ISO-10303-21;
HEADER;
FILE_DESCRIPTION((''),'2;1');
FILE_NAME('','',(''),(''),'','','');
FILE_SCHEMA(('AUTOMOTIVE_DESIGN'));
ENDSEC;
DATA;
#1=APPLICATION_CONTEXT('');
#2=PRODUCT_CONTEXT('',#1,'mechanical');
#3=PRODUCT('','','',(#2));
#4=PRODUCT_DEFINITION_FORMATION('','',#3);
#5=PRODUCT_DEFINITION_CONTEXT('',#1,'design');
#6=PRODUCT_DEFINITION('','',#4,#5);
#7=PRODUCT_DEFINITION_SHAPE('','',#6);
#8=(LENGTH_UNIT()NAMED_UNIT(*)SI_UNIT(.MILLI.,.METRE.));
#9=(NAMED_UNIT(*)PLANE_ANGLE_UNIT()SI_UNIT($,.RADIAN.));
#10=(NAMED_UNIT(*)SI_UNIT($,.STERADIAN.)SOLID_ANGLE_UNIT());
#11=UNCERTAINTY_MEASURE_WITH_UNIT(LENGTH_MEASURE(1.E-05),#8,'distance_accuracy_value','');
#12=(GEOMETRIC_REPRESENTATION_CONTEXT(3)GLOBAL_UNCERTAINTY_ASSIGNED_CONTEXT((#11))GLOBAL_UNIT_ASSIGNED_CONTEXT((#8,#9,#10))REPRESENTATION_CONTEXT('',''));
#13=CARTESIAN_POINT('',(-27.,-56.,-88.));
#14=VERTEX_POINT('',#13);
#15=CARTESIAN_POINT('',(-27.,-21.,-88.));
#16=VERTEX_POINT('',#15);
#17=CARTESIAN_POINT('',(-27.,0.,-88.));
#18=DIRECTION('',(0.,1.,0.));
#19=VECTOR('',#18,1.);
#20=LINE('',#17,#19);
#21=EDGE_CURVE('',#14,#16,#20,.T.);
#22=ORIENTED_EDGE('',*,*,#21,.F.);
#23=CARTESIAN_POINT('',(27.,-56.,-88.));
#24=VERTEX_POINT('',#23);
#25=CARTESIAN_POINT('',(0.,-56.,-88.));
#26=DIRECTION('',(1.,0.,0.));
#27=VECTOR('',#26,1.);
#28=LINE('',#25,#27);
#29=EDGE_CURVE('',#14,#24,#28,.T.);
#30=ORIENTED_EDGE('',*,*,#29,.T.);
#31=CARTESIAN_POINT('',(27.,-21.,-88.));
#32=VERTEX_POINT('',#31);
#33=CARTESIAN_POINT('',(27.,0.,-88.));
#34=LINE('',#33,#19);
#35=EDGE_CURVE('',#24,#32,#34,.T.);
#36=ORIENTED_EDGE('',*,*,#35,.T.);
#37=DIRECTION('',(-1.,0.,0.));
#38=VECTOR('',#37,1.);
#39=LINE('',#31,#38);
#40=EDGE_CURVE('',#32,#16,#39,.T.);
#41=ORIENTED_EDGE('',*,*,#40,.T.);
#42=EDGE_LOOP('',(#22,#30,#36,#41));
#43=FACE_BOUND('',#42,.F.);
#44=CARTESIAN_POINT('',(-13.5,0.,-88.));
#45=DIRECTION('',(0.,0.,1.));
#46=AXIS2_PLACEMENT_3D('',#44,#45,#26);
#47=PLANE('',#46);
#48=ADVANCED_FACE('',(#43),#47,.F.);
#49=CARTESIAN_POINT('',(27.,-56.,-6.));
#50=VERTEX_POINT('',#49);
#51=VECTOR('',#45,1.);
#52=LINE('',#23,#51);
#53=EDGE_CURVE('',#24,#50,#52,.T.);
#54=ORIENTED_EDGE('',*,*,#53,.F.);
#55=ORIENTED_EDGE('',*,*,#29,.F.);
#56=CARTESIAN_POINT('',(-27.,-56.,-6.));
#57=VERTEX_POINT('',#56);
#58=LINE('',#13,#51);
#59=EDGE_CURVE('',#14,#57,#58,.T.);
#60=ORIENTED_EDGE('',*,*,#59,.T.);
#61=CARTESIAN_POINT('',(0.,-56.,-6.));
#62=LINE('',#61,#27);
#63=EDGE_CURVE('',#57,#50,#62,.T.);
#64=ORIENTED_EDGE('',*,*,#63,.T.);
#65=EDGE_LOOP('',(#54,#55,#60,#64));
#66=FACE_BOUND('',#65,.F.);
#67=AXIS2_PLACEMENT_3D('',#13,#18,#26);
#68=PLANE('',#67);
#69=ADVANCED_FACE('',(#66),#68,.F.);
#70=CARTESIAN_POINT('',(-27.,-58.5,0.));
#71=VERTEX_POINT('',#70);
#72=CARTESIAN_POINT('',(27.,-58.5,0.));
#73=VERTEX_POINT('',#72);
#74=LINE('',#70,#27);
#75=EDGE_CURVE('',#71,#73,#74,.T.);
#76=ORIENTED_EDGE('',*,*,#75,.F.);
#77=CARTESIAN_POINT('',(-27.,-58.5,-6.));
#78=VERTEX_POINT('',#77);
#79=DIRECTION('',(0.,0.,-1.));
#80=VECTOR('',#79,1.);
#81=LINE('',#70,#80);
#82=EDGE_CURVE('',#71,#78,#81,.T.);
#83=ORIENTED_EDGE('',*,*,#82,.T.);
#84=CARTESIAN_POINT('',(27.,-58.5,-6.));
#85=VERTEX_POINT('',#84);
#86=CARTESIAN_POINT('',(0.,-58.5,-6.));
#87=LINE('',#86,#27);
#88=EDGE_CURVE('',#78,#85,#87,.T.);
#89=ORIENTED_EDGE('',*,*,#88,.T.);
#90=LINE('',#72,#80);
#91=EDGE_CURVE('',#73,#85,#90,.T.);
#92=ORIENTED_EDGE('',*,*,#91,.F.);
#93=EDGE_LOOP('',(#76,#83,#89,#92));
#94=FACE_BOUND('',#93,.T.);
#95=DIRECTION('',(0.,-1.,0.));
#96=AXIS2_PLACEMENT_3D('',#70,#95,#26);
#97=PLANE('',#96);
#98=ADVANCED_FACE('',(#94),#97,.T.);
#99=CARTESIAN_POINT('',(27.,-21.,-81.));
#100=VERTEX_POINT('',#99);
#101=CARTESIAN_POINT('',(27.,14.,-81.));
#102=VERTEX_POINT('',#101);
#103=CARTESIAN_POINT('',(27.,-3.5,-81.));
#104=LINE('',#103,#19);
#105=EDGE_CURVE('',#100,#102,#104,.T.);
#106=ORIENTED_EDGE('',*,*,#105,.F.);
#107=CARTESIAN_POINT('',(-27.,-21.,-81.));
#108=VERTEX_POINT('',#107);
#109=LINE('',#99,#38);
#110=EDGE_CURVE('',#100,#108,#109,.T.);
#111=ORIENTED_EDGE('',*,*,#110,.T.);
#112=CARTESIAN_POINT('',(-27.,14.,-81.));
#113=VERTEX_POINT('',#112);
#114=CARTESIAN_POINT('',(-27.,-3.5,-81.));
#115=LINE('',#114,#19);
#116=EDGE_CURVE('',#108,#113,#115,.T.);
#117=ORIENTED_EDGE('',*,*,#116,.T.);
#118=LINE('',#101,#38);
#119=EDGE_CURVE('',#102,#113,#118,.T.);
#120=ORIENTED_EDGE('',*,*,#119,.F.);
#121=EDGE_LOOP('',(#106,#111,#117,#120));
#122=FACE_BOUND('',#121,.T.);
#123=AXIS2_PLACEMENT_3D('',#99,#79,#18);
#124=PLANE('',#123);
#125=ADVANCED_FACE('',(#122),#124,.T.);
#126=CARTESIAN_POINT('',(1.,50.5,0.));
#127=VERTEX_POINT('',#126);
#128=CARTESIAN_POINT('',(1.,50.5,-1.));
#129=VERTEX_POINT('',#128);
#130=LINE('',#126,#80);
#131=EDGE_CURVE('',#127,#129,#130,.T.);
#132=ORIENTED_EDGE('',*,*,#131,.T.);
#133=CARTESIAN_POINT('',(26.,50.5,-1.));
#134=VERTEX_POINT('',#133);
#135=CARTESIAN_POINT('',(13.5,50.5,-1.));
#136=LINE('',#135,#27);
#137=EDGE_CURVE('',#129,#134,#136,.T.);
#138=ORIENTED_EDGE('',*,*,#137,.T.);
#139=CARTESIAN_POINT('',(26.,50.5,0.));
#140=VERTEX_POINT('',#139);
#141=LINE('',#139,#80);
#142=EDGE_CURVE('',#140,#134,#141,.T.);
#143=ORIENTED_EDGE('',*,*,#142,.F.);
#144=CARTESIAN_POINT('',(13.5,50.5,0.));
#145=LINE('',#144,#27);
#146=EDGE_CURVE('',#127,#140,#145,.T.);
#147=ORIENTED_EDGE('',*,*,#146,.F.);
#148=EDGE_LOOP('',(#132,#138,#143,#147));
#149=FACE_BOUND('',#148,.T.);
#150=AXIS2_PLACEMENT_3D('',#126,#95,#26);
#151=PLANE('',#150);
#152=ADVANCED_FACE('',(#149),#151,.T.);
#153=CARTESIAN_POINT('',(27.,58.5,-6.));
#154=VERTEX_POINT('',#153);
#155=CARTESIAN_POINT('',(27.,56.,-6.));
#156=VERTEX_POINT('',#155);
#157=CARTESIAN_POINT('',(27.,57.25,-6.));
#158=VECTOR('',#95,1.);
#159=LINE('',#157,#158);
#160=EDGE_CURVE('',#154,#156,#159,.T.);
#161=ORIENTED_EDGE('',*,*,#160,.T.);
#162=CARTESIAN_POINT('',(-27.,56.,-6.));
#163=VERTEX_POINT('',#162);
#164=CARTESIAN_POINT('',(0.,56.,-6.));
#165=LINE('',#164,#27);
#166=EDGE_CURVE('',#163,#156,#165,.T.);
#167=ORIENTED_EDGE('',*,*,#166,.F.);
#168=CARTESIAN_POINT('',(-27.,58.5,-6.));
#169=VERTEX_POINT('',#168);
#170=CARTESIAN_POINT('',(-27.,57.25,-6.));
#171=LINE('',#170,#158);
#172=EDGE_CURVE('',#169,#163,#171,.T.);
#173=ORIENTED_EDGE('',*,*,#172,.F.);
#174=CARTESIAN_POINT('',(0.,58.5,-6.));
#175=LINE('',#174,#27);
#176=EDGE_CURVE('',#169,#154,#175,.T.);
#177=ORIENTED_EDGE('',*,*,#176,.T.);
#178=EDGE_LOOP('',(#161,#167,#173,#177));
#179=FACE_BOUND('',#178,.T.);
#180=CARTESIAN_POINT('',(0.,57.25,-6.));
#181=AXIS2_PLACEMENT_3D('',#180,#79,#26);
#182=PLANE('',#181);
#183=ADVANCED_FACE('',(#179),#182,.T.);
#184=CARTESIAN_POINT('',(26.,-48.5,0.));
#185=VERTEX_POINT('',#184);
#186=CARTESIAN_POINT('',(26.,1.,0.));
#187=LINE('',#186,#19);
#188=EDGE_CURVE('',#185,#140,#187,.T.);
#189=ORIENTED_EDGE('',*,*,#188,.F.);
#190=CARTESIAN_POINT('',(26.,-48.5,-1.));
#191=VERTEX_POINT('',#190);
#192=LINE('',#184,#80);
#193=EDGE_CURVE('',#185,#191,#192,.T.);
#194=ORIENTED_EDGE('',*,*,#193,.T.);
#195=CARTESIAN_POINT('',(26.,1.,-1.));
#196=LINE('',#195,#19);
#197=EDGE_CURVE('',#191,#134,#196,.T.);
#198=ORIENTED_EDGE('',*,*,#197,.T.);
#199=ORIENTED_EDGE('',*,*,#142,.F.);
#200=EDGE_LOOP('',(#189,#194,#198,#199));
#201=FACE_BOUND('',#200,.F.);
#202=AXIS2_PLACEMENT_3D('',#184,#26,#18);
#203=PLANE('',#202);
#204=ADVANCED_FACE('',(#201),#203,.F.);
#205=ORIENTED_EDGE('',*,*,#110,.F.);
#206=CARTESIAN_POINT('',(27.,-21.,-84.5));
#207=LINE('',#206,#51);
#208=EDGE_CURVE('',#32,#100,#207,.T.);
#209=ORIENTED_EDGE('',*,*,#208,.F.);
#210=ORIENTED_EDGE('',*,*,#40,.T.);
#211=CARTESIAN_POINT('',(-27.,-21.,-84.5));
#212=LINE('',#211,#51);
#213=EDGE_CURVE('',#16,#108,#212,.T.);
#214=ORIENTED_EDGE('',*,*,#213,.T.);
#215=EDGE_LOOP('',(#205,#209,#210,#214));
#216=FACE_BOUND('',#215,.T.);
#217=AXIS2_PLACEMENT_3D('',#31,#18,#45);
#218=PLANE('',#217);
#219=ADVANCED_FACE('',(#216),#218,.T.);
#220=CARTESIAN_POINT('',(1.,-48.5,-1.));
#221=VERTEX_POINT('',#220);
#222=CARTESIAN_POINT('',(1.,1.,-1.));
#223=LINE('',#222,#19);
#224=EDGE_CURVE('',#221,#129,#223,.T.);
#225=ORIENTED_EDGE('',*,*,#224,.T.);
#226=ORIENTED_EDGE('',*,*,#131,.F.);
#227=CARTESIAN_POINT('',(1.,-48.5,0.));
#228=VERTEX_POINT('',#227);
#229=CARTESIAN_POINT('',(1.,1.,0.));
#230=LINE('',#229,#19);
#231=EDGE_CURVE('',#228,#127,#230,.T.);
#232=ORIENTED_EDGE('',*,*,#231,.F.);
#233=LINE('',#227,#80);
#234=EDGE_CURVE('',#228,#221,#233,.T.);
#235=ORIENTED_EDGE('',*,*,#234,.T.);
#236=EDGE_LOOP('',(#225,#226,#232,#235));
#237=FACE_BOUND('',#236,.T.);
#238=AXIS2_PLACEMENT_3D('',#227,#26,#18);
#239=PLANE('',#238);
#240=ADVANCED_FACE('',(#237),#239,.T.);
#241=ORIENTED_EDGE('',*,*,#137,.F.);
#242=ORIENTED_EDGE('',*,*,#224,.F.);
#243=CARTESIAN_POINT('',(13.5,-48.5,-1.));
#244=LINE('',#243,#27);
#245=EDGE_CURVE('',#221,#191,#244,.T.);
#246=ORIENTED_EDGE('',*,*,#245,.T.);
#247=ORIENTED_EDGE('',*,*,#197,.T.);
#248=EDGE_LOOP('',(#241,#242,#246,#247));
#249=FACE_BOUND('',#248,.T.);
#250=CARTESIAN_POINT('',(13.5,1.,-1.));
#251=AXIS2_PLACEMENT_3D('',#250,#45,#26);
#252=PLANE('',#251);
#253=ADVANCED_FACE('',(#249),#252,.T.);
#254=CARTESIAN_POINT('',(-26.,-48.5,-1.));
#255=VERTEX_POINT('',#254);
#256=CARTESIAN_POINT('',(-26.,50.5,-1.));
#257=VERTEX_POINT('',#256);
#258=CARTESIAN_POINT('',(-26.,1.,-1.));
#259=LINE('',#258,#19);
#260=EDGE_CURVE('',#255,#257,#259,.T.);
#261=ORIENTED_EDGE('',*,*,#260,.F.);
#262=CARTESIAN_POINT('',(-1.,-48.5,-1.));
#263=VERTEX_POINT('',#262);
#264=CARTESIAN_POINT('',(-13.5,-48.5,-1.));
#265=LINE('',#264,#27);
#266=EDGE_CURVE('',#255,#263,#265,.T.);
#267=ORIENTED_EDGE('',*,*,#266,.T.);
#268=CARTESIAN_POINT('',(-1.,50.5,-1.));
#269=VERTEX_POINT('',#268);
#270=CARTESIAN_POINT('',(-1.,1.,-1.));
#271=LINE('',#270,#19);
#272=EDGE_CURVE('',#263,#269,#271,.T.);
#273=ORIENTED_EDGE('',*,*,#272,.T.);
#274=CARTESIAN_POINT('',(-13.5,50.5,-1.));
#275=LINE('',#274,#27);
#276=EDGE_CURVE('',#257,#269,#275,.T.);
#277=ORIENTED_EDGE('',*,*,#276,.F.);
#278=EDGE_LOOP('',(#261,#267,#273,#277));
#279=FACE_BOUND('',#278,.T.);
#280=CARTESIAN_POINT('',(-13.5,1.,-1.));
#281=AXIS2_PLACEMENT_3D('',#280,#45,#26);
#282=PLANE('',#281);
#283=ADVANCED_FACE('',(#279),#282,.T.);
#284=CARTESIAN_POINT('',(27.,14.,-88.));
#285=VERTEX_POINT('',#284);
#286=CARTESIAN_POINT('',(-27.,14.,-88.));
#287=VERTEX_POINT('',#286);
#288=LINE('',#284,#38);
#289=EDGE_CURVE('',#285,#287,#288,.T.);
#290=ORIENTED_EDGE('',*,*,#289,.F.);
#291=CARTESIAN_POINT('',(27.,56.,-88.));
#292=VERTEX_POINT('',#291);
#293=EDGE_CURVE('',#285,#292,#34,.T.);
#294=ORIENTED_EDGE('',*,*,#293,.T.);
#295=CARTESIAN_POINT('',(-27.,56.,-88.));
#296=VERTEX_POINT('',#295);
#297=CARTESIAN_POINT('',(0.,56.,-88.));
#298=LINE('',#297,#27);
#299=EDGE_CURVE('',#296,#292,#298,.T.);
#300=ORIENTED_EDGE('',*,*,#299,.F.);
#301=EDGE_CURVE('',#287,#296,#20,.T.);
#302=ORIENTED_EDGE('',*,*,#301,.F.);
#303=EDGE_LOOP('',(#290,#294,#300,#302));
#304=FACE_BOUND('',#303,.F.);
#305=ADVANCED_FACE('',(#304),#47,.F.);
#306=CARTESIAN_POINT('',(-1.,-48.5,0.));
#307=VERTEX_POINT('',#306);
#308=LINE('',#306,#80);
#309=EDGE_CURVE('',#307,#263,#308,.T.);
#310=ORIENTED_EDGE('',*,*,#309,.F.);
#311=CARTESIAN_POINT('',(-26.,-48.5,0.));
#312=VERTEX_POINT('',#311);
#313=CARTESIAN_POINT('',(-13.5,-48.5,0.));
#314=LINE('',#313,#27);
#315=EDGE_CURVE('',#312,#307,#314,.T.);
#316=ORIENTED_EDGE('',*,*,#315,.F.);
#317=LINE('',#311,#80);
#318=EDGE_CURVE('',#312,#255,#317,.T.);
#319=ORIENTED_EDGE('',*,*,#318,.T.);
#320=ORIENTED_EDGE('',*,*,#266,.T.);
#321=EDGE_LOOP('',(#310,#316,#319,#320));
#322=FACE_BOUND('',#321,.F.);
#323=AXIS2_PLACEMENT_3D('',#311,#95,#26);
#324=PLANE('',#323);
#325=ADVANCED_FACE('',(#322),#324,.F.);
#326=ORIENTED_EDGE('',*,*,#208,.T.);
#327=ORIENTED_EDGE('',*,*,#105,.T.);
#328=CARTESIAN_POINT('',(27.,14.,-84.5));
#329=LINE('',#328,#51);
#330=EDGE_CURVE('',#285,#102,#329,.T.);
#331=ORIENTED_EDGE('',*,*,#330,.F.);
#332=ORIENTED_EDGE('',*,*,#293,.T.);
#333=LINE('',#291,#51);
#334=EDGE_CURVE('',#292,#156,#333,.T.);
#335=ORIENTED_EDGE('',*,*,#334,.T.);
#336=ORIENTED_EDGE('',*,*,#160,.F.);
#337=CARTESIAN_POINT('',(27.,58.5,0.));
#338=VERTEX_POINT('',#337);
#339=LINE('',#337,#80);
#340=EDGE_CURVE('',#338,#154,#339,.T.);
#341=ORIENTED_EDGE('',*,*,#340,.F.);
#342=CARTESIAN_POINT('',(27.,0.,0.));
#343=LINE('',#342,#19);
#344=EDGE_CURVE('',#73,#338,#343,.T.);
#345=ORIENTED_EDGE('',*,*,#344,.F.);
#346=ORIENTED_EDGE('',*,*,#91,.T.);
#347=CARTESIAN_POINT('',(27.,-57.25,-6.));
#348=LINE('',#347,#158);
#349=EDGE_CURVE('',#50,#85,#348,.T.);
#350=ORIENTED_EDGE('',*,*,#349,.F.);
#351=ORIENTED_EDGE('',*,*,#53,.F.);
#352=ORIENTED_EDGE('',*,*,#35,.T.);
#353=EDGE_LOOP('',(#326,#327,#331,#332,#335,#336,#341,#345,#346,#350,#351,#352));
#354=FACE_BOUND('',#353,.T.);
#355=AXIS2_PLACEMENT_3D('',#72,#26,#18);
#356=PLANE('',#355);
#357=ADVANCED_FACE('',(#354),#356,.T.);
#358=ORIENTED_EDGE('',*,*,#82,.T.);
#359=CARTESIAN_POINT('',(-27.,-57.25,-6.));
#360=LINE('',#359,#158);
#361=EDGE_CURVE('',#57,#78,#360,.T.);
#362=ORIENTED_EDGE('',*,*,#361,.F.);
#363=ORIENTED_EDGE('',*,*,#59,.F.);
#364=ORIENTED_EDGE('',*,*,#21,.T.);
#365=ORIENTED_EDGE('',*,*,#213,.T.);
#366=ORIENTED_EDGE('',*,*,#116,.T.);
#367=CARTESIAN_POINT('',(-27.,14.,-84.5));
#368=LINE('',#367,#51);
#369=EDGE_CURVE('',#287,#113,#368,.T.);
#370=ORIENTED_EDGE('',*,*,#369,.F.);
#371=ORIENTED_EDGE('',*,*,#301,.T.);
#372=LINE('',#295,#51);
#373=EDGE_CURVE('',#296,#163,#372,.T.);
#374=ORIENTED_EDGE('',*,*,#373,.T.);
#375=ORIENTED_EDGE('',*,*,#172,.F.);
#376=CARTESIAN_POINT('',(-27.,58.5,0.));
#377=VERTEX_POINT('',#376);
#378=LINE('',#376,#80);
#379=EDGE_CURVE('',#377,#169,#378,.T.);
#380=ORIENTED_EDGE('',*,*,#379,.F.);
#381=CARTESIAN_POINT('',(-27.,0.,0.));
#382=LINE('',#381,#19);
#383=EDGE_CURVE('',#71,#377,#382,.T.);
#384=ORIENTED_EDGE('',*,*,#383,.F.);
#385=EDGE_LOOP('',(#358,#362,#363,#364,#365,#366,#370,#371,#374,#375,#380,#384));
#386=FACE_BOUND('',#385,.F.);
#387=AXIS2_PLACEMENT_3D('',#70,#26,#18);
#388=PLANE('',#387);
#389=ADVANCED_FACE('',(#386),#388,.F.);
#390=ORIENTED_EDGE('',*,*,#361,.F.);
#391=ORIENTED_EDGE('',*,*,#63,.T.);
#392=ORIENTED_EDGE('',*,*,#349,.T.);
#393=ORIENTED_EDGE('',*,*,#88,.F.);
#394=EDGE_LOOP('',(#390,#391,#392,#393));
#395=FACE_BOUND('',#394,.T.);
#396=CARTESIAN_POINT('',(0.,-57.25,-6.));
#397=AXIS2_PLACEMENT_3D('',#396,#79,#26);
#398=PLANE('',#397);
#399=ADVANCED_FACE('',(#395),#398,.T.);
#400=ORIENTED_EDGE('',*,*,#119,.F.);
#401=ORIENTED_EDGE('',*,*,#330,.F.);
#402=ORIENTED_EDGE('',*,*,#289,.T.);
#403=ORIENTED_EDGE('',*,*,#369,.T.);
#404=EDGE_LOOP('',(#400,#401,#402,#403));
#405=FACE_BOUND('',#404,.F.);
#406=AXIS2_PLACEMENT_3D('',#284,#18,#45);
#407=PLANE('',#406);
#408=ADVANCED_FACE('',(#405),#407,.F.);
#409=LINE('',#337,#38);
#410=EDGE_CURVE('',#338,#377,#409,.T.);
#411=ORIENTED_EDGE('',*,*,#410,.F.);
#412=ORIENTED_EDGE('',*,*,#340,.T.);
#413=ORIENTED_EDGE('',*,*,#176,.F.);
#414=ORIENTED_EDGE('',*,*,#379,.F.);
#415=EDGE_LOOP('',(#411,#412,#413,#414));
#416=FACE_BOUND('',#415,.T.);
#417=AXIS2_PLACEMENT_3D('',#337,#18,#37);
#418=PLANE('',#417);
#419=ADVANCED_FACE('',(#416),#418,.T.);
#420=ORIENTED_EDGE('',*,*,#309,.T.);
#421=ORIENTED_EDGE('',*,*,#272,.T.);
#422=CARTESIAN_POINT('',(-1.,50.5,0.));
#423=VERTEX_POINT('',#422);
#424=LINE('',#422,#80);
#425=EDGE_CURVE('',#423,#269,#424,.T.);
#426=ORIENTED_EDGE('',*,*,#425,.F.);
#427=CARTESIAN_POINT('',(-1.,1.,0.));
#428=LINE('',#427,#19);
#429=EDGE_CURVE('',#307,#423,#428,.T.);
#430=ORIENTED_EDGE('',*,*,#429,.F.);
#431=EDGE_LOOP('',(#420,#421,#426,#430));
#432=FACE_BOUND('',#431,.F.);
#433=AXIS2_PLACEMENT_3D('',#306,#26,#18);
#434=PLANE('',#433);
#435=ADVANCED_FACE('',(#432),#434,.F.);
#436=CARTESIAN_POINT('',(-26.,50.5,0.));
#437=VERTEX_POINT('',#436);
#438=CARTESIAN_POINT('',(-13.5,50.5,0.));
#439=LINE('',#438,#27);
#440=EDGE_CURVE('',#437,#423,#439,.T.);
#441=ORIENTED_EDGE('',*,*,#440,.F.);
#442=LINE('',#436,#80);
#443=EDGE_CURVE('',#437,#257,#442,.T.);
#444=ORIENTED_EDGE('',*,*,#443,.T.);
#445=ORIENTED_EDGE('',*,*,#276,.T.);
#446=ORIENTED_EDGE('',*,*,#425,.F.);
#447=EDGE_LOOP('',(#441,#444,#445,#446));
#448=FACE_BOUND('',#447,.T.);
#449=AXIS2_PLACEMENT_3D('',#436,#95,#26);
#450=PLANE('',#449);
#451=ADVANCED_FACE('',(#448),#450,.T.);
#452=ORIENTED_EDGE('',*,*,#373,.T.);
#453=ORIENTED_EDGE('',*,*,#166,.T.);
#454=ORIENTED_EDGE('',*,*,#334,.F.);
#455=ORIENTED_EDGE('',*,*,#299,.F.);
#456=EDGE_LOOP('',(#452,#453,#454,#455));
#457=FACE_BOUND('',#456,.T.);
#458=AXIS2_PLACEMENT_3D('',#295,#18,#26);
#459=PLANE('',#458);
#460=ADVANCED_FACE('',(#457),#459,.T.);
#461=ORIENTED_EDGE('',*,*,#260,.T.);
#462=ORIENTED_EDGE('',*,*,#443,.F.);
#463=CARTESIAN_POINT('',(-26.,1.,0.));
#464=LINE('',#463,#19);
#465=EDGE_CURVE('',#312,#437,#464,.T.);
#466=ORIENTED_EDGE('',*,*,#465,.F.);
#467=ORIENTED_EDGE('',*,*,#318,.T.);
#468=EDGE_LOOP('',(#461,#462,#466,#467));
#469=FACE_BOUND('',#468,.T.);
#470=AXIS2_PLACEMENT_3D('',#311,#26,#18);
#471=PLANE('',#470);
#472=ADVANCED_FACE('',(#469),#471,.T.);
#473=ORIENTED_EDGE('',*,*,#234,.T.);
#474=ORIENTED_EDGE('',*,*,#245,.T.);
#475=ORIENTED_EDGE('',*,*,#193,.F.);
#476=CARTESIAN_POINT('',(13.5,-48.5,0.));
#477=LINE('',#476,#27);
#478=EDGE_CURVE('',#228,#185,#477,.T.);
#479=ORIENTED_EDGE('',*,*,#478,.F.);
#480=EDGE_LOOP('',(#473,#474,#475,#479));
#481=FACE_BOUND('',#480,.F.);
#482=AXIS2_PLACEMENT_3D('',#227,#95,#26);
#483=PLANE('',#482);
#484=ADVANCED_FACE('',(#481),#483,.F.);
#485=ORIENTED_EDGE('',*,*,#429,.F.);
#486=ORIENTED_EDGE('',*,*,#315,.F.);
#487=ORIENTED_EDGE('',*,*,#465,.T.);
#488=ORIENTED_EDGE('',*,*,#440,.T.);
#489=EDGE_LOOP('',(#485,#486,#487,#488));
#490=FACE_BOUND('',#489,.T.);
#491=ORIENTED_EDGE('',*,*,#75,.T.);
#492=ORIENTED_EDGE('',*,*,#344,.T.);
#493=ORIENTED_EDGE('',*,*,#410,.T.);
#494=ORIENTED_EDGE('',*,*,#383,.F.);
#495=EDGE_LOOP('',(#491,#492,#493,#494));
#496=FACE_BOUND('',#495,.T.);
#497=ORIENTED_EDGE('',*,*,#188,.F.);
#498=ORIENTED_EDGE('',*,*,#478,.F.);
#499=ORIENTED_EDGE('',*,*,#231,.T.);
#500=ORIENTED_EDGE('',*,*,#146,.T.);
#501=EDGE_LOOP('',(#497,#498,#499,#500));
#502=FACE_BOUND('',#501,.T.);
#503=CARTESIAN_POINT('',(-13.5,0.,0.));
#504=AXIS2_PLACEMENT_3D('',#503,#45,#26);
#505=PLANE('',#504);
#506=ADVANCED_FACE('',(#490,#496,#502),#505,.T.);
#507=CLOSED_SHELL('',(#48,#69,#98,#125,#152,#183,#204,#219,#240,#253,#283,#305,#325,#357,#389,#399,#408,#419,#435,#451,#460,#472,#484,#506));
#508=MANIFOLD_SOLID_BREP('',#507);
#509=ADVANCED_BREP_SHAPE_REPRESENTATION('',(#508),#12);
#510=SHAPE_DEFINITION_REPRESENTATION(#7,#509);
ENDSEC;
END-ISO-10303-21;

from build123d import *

# Parameters (mm, degrees)
F0_W     = 27
F0_H     = 117
F0_W_2   = 25
F0_H_2   = 99
F1_DEPTH = 88
F2_DEPTH = 1
F3_W     = 54
F3_H     = 2.5
F4_DEPTH = 82
F5_W     = 35
F5_H     = 7
F6_DEPTH = 54


with BuildPart() as f1:
    # F0 (on Top) → F1 (new body)
    with BuildSketch(Plane.XY):
        with Locations((-13.5, 0)):
            Rectangle(F0_W, F0_H)
        with Locations((-13.5, 1)):
            Rectangle(F0_W_2, F0_H_2, mode=Mode.SUBTRACT)
        with Locations((13.5, 0)):
            Rectangle(F0_W, F0_H)
        with Locations((13.5, 1)):
            Rectangle(F0_W_2, F0_H_2, mode=Mode.SUBTRACT)
        with Locations((-13.5, 1)):
            Rectangle(F0_W_2, F0_H_2)
        with Locations((13.5, 1)):
            Rectangle(F0_W_2, F0_H_2)
    extrude(amount=-F1_DEPTH)

    # F0 (on Top) → F2 (cut)
    with BuildSketch(Plane.XY):
        with Locations((-13.5, 1)):
            Rectangle(F0_W_2, F0_H_2)
        with Locations((13.5, 1)):
            Rectangle(F0_W_2, F0_H_2)
    extrude(amount=-F2_DEPTH, mode=Mode.SUBTRACT)

    # F3 (on face) → F4 (cut)
    with BuildSketch(Plane(origin=(0, 0, -88), x_dir=(1, 0, 0), z_dir=(0, 0, -1))):
        with Locations((0, 57.25)):
            Rectangle(F3_W, F3_H)
        with Locations((0, -57.25)):
            Rectangle(F3_W, F3_H)
    extrude(amount=-F4_DEPTH, mode=Mode.SUBTRACT)

    # F5 (on face) → F6 (cut, through all)
    with BuildSketch(Plane.YZ.offset(27)):
        with Locations((-3.5, -84.5)):
            Rectangle(F5_W, F5_H)
    extrude(amount=-F6_DEPTH, mode=Mode.SUBTRACT)


solid = f1.part
